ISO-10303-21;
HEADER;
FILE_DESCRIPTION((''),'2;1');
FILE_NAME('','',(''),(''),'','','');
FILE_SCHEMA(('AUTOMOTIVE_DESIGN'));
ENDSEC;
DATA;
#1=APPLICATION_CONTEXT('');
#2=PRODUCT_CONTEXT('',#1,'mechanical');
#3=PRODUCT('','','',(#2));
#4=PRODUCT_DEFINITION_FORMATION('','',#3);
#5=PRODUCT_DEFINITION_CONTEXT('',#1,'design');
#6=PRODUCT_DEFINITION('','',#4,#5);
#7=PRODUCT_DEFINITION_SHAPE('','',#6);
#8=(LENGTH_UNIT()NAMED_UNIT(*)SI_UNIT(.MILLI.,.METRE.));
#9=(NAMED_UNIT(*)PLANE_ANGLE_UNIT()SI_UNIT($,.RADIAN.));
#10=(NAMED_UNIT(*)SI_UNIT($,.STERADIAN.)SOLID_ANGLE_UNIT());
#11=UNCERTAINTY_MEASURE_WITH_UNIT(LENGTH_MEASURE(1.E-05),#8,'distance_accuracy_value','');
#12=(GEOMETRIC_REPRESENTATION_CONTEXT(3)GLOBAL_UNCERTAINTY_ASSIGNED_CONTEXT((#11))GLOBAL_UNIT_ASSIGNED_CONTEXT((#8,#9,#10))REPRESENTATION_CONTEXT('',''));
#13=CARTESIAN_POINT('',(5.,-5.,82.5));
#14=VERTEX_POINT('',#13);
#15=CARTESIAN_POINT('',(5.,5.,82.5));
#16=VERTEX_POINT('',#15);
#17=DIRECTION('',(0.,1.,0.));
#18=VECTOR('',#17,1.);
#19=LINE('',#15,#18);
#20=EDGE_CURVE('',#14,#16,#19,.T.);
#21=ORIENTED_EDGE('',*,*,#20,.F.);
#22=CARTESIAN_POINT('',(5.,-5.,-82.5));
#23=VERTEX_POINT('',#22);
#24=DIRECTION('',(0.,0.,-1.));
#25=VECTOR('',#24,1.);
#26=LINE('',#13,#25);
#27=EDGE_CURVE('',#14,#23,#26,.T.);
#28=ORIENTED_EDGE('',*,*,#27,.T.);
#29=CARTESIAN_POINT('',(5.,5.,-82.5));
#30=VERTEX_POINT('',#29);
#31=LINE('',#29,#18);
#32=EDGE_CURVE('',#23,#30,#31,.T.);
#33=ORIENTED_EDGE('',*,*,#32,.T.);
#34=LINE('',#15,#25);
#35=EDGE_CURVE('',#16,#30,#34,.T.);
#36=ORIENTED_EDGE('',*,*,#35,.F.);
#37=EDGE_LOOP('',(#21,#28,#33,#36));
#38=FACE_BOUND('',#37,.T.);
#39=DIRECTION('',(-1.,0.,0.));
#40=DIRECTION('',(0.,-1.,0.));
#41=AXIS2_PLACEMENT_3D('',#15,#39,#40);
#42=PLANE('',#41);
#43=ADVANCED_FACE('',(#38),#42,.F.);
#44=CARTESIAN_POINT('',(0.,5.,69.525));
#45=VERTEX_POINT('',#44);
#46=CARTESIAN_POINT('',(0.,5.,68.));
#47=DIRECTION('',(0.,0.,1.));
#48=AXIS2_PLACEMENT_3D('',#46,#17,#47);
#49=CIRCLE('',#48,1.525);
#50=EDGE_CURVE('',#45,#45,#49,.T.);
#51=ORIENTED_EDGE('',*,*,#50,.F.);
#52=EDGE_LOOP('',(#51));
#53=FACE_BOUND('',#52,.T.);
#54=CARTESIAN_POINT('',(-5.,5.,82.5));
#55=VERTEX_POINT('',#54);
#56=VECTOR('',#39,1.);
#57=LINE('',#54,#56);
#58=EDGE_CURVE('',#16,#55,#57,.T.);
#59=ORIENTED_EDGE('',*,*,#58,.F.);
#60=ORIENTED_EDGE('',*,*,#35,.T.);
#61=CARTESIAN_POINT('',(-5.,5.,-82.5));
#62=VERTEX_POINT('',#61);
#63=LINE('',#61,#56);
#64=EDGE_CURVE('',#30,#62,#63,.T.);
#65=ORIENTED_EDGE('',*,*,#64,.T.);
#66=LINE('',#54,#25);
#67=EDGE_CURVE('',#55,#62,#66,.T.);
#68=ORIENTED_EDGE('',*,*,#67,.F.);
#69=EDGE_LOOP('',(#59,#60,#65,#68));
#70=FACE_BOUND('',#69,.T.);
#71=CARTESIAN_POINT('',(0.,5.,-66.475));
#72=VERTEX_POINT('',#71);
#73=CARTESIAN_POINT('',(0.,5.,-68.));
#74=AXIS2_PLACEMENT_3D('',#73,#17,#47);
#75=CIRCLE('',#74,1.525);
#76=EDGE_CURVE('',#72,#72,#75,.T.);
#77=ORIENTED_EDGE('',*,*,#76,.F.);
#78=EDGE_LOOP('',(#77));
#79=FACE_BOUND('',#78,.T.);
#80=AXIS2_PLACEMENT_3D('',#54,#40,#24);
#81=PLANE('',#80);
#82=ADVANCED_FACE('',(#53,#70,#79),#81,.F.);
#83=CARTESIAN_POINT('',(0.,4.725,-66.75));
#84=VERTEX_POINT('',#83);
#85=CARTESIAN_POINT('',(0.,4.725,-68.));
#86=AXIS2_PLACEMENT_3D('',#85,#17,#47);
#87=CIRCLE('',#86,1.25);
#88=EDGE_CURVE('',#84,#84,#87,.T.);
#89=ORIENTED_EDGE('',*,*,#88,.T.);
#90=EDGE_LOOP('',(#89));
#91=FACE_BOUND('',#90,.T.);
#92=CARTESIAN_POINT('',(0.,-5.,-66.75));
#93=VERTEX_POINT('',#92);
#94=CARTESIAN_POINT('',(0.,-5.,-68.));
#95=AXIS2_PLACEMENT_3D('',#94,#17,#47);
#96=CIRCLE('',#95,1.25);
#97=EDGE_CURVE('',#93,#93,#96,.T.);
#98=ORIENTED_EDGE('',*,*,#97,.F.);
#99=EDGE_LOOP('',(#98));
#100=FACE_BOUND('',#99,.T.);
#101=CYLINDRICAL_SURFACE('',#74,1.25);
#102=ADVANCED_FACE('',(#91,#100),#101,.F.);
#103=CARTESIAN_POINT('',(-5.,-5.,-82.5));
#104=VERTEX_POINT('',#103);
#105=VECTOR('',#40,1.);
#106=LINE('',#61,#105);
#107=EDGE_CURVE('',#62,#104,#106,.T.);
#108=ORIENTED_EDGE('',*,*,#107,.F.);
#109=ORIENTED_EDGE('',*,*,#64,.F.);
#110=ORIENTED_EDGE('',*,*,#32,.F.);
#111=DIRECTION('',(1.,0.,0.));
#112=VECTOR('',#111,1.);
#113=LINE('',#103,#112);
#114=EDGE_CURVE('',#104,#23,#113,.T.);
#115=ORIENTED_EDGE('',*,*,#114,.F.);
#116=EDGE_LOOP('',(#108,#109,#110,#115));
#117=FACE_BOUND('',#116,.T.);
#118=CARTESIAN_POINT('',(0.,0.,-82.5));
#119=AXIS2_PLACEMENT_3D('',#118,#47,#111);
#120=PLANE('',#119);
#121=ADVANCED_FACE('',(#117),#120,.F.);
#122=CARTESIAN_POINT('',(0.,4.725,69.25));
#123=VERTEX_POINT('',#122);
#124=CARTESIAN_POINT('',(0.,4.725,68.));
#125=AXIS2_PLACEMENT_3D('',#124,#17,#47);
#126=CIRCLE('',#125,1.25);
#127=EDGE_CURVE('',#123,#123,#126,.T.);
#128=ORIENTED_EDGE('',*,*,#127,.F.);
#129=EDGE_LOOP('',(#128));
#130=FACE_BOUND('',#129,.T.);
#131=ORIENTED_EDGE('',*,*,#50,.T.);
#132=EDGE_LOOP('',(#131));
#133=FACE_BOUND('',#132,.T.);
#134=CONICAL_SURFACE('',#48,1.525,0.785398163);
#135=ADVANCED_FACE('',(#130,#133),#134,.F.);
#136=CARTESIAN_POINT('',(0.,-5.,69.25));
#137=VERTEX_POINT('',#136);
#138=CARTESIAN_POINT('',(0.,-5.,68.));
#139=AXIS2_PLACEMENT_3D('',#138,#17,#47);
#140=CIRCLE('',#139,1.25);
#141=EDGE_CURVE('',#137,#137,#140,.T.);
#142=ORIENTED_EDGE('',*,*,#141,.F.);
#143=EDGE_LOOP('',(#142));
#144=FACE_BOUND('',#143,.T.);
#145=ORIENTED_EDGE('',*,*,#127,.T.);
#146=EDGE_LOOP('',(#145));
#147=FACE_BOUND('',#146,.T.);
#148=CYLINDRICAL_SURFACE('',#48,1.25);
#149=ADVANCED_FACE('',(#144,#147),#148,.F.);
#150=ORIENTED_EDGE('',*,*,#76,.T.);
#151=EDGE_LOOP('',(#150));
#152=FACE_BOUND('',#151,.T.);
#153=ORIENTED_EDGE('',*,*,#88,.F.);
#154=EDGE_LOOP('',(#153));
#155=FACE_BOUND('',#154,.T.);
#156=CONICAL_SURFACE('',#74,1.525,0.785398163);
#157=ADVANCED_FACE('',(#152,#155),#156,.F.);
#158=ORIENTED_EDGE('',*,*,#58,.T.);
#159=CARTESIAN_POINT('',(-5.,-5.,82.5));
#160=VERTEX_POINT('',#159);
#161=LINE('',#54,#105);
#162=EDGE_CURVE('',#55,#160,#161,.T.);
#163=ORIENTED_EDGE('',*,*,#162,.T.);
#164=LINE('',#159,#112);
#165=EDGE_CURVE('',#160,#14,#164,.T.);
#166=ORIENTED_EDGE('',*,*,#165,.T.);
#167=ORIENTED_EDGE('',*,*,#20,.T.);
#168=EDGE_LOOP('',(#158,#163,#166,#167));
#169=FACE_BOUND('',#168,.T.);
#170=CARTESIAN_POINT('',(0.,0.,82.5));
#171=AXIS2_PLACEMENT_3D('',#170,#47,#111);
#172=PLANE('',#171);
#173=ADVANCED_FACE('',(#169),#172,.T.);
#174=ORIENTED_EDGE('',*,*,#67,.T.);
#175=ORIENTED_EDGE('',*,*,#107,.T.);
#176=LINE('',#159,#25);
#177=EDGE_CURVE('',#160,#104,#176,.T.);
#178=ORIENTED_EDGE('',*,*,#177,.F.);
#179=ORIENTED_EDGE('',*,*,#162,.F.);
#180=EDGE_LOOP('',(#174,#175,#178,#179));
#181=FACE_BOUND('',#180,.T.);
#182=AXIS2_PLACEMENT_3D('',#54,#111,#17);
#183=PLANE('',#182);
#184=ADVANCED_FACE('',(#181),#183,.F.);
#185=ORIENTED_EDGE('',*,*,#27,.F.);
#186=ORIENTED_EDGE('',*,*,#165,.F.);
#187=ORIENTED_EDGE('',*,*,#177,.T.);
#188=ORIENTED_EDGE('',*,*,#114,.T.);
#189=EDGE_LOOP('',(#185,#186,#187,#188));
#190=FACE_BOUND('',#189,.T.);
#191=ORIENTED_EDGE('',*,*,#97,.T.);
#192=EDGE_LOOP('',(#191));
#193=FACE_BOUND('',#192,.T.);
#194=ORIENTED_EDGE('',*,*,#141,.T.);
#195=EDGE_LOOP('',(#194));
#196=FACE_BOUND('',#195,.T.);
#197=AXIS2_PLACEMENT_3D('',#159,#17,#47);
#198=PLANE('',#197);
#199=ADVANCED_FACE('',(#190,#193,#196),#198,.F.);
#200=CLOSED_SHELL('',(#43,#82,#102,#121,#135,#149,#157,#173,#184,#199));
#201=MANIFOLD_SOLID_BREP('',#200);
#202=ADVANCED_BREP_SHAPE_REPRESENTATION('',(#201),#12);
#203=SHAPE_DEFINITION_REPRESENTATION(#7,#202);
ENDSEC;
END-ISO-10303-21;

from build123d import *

# Parameters (mm, degrees)
ESQUISSE1_W                     = 10
ESQUISSE1_H                     = 10
BOSS_EXTRU_1_DEPTH              = 82.5
TROU_TARAUD_M3X0_52_D           = 2.5
TROU_TARAUD_M3X0_52_CSINK_D     = 3.05
TROU_TARAUD_M3X0_52_CSINK_ANGLE = 90


with BuildPart() as part:
    # Esquisse1 → Boss.-Extru.1 (new, symmetric)
    with BuildSketch(Plane.XY):
        Rectangle(ESQUISSE1_W, ESQUISSE1_H)
    extrude(amount=BOSS_EXTRU_1_DEPTH, both=True)

    # Trou taraudé M3x0.52 (through all)
    with Locations(Plane(origin=(0, 5, 0), x_dir=(1, 0, 0), z_dir=(0, 1, 0))):
        with Locations((0, 68), (0, -68)):
            CounterSinkHole(TROU_TARAUD_M3X0_52_D / 2, TROU_TARAUD_M3X0_52_CSINK_D / 2, counter_sink_angle=TROU_TARAUD_M3X0_52_CSINK_ANGLE)


solid = part.part
